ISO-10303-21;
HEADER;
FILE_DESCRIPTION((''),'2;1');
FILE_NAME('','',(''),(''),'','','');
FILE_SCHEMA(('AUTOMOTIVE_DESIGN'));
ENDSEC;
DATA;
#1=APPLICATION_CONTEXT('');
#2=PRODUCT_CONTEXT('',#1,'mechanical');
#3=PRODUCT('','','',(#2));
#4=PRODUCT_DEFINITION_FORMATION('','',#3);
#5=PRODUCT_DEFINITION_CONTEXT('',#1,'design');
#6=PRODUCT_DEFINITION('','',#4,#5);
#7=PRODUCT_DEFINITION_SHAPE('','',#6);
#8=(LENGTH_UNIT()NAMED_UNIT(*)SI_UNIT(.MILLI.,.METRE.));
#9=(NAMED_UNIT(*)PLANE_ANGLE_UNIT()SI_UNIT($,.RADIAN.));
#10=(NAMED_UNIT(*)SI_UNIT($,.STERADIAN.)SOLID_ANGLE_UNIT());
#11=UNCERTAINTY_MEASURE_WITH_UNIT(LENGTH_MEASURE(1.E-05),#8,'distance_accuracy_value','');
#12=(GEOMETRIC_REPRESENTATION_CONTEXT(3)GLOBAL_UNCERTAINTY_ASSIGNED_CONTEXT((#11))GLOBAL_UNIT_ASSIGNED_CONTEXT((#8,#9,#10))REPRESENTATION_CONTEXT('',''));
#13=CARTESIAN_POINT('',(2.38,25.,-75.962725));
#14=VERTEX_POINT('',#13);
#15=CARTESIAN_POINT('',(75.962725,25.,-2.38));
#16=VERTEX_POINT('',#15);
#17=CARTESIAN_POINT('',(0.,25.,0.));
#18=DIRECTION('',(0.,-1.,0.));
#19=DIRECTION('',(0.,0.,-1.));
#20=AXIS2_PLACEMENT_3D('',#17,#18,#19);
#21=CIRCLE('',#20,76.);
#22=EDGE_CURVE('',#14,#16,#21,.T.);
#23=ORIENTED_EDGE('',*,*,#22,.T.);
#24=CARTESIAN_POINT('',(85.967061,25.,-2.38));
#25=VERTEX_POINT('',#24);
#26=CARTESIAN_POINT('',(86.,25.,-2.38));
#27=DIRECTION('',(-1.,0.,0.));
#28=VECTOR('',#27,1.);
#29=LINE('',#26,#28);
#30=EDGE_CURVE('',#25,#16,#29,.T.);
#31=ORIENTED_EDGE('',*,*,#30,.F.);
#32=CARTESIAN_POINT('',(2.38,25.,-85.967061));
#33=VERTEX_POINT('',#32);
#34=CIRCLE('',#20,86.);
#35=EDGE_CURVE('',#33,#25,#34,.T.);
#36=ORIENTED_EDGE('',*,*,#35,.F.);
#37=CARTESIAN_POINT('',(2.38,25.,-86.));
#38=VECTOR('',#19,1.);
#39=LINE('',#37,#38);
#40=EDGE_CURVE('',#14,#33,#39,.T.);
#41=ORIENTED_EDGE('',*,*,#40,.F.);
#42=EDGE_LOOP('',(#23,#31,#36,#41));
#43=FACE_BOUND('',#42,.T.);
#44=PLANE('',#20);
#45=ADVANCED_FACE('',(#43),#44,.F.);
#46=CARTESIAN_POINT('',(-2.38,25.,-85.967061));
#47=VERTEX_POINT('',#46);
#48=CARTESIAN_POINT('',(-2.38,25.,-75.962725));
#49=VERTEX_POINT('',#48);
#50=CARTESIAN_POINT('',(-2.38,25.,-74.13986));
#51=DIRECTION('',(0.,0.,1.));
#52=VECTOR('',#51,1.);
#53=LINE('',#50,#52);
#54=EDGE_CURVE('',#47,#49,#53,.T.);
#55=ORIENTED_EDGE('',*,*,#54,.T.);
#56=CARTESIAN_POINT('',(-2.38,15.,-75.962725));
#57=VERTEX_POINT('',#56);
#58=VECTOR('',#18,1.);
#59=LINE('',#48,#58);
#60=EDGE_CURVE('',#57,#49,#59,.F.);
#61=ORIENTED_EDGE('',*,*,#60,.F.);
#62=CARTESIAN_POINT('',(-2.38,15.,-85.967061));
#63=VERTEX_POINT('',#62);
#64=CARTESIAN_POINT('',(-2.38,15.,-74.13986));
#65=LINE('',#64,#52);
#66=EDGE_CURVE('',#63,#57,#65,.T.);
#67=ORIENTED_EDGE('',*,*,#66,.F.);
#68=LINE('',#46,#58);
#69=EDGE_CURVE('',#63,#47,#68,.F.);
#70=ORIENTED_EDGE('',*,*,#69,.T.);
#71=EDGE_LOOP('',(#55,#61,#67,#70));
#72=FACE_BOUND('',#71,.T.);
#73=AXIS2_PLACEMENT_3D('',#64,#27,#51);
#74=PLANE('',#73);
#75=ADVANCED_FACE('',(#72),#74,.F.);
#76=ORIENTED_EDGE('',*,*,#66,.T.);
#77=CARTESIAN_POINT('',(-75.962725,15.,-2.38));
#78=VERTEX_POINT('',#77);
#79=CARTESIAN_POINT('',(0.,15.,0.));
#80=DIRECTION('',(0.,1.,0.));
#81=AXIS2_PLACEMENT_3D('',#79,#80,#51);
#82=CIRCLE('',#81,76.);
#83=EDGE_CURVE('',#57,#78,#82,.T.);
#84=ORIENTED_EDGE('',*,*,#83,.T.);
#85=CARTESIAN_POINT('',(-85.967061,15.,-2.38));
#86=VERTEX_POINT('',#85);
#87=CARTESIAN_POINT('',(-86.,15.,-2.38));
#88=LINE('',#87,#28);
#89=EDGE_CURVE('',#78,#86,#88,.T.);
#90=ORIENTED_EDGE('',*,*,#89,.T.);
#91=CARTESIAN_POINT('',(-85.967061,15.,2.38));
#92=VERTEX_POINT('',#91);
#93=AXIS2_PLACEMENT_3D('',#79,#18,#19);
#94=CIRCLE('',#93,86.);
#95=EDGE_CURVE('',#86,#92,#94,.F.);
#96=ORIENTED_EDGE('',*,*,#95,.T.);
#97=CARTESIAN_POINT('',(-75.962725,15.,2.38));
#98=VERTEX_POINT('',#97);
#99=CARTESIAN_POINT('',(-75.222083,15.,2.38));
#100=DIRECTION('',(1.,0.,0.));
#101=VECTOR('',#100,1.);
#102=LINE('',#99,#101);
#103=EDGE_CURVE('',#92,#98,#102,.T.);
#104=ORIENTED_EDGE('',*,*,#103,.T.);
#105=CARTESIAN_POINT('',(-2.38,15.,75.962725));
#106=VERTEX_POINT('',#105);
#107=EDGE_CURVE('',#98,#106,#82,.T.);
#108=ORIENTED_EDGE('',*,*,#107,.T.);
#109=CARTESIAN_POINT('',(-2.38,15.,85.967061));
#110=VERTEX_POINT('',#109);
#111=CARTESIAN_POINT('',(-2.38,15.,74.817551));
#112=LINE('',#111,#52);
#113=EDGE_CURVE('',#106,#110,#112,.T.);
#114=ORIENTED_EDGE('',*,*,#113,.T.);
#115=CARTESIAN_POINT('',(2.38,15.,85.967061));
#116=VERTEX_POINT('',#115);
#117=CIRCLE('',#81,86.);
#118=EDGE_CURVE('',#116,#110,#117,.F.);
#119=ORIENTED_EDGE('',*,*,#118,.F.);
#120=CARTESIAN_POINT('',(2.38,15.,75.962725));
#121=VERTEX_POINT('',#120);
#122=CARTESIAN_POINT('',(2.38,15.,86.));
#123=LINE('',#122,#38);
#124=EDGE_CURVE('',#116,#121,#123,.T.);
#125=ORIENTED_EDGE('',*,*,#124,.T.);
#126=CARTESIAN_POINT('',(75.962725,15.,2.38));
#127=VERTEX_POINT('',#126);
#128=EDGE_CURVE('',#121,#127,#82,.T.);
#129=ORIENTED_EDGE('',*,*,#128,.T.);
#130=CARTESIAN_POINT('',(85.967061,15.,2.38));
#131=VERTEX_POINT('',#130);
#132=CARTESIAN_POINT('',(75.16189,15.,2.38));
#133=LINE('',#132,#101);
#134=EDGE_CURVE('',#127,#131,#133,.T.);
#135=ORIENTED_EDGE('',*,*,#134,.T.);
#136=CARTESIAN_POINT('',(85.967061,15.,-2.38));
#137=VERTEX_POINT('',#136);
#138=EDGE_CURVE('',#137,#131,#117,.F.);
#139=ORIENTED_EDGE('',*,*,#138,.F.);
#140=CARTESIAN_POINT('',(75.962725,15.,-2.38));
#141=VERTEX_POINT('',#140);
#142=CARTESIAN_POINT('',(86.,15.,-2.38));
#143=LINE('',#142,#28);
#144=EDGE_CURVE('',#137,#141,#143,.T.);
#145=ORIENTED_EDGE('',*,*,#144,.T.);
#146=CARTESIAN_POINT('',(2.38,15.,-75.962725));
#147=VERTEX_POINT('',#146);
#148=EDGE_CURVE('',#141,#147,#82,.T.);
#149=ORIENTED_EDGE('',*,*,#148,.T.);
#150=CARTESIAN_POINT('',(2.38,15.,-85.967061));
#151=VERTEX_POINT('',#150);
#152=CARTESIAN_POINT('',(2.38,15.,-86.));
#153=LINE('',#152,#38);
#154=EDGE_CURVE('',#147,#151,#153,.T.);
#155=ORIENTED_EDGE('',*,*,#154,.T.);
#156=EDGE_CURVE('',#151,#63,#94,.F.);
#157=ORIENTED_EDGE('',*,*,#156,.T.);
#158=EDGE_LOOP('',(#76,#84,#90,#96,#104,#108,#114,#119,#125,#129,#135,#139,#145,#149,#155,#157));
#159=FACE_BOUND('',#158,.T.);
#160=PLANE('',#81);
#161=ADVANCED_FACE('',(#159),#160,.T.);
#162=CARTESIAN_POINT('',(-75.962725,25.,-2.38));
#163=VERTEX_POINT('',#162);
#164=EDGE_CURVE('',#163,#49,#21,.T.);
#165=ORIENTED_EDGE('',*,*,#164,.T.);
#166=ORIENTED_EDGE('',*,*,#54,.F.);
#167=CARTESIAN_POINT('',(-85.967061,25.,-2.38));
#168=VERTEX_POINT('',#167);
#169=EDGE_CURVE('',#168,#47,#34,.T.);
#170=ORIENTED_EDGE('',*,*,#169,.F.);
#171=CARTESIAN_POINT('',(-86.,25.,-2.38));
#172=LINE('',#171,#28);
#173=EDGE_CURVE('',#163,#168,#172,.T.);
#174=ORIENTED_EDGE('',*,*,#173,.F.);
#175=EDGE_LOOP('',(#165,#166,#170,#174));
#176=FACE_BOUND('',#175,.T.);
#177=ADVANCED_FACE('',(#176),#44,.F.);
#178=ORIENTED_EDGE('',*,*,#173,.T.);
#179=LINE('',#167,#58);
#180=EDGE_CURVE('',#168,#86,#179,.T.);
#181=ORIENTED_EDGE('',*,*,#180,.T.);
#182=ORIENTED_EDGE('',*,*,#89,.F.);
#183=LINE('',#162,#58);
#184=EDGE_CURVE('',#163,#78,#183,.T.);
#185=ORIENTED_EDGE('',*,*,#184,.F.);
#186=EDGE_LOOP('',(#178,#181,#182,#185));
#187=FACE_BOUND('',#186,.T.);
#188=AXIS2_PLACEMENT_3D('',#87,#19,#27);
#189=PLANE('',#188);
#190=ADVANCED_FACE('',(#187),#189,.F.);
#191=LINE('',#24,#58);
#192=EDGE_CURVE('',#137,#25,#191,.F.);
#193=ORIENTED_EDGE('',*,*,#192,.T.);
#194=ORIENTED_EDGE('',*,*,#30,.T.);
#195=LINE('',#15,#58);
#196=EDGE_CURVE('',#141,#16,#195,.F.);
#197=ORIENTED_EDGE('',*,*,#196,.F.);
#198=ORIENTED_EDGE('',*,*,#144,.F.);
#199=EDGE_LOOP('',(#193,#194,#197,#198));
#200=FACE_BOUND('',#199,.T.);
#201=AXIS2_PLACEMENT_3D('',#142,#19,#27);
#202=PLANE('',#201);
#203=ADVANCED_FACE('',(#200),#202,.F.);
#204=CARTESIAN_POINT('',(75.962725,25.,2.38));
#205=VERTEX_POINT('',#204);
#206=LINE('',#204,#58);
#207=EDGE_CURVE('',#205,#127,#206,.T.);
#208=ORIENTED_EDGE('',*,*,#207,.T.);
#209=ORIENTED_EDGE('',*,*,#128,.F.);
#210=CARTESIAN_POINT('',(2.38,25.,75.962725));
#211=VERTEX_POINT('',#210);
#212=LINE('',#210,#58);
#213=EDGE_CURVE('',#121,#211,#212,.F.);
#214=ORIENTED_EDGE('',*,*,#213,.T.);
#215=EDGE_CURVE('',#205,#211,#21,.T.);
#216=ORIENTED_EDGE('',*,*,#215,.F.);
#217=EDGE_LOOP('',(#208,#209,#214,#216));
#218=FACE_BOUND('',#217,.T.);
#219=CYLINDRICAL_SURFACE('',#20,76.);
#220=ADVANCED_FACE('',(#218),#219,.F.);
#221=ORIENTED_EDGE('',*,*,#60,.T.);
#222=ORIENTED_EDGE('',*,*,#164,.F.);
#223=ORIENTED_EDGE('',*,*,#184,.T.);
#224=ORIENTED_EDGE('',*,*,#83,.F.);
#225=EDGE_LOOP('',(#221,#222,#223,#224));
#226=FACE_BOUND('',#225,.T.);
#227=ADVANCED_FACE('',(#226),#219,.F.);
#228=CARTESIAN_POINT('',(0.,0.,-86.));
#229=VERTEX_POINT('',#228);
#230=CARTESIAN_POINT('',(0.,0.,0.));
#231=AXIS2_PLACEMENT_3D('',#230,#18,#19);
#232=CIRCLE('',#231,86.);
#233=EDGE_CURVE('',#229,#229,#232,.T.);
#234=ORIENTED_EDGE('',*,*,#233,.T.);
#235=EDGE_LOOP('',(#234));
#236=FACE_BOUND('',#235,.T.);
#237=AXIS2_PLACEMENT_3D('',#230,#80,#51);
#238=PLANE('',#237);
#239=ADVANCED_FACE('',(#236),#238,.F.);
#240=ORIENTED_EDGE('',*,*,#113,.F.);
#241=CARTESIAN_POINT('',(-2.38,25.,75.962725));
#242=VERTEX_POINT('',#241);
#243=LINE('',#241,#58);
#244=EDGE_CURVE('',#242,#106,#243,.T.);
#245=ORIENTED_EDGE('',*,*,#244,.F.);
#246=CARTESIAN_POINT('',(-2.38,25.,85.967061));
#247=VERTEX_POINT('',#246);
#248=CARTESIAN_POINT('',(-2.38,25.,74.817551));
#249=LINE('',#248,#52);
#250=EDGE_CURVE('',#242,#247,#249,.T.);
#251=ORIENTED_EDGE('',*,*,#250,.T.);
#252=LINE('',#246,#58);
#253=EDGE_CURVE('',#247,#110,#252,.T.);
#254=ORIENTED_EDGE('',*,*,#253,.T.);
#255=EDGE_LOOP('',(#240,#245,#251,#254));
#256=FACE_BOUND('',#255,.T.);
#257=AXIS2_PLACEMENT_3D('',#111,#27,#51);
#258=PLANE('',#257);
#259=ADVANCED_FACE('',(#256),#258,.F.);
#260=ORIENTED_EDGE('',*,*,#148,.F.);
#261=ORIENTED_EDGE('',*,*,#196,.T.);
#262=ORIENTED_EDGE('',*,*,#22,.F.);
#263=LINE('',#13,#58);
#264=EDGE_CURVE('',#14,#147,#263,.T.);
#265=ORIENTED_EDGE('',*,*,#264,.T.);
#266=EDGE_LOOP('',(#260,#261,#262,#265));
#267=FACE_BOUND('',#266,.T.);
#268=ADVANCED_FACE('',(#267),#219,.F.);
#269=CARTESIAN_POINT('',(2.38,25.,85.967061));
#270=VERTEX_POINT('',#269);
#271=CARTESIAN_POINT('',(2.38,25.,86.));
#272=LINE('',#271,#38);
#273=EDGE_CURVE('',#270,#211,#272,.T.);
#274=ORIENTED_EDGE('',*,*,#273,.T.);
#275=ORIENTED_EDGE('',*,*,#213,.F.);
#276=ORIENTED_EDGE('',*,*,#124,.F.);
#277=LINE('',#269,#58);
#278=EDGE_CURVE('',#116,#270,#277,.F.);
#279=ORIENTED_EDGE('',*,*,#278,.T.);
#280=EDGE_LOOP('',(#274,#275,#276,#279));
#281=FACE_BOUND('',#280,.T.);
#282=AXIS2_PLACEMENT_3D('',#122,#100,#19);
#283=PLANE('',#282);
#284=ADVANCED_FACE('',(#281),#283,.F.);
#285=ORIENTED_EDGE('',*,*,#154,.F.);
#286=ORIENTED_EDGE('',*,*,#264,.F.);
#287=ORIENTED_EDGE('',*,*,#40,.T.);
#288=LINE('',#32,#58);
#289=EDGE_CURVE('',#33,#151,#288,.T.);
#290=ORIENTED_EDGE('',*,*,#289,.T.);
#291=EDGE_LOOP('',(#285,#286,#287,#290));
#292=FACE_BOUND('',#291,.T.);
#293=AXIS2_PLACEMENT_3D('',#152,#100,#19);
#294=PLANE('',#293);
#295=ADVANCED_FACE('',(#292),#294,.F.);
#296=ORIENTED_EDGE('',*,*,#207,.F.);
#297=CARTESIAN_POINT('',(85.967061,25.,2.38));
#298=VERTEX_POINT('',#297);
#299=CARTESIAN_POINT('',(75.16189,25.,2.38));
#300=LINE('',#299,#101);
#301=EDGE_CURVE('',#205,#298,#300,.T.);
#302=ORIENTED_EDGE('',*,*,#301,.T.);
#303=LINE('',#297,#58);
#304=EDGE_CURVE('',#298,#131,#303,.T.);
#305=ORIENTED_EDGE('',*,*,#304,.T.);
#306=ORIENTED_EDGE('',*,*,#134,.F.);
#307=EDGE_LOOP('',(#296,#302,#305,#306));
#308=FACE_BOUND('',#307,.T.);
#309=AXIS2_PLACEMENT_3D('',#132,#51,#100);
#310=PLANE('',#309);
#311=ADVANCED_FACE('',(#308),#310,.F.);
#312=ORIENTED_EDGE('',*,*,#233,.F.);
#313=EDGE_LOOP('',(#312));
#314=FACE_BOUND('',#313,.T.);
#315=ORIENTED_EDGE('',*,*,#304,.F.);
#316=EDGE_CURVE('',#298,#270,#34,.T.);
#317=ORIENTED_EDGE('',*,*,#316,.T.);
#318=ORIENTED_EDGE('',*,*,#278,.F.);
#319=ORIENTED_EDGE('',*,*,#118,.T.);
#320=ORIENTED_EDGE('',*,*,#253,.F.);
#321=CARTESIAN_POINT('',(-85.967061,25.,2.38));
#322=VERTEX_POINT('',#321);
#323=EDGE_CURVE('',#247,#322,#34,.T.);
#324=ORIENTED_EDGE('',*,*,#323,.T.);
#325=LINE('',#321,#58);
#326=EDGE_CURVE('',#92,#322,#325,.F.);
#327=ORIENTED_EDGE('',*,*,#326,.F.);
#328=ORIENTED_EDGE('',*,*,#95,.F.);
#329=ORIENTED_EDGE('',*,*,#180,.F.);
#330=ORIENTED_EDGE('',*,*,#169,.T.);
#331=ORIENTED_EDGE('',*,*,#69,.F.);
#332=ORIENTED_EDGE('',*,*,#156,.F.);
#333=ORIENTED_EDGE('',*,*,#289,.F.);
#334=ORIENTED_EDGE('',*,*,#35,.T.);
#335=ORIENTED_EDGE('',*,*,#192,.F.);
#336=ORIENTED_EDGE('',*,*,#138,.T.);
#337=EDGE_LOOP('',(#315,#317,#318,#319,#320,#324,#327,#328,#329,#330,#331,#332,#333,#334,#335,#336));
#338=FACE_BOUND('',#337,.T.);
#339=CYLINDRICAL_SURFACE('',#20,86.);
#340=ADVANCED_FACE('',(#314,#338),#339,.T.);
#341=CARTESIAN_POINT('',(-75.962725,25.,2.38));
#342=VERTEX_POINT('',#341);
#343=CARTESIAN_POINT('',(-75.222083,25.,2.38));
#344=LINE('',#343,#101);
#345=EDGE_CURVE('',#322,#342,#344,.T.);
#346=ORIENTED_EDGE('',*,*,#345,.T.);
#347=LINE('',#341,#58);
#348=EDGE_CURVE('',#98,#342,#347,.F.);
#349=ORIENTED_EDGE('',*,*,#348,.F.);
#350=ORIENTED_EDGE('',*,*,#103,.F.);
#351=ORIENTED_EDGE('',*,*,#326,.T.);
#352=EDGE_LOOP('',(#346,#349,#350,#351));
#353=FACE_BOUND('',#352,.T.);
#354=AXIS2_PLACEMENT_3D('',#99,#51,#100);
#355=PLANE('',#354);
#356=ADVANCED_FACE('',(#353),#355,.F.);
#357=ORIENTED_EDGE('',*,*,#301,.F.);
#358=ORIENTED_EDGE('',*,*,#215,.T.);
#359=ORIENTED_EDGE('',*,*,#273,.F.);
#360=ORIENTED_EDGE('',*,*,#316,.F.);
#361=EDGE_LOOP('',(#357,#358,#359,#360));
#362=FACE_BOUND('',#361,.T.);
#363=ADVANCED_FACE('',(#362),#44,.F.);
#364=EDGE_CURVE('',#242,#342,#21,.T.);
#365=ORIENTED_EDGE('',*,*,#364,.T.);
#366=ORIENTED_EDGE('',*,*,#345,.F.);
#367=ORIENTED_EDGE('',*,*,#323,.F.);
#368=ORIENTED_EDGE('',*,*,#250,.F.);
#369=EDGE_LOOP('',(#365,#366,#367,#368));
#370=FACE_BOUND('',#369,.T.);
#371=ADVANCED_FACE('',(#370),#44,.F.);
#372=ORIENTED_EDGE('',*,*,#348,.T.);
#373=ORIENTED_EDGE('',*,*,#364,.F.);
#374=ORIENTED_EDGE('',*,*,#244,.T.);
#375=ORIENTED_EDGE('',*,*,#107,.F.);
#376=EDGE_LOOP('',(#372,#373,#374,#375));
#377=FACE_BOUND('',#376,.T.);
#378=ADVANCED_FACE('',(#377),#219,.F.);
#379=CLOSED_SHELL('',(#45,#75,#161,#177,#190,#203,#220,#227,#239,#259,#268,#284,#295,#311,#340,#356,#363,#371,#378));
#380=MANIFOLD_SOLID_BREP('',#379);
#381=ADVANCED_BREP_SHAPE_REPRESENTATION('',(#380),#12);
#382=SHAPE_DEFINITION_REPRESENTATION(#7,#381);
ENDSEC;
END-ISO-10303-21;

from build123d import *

# Parameters (mm, degrees)
SKETCH2_R           = 76
BOSS_EXTRUDE1_DEPTH = 15
SKETCH4_R           = 86
SKETCH4_R_2         = 76
BOSS_EXTRUDE2_DEPTH = 25
CUT_EXTRUDE1_DEPTH  = 10


with BuildPart() as part:
    # Sketch2 → Boss-Extrude1 (new body)
    with BuildSketch(Plane(origin=(0, 0, 0), x_dir=(1, 0, 0), z_dir=(0, 1, 0))):
        with Locations(Location((0, 0, 0), (0, 0, 270))):
            Circle(SKETCH2_R)
    extrude(amount=BOSS_EXTRUDE1_DEPTH)

    # Sketch4 → Boss-Extrude2 (add)
    with BuildSketch(Plane(origin=(0, 0, 0), x_dir=(-1, 0, 0), z_dir=(0, -1, 0))):
        with Locations(Location((0, 0, 0), (0, 0, 90))):
            Circle(SKETCH4_R)
        with Locations(Location((0, 0, 0), (0, 0, 90))):
            Circle(SKETCH4_R_2, mode=Mode.SUBTRACT)
    extrude(amount=-BOSS_EXTRUDE2_DEPTH)

    # Sketch5 → Cut-Extrude1 (cut)
    with BuildSketch(Plane(origin=(0, 25, 0), x_dir=(1, 0, 0), z_dir=(0, 1, 0))):
        Polygon((86, 0), (86, 2.38), (75.161889678, 2.38), (75.161889678, -2.38), (86.243553227, -2.38), align=None)
        Polygon((-86, 0), (-86, 2.38), (-75.22208349, 2.38), (-75.22208349, -2.38), (-86.457059311, -2.38), align=None)
        Polygon((0, 86), (2.38, 86), (2.38, 74.13986027), (-2.38, 74.13986027), (-2.38, 86.447056085), align=None)
        Polygon((0, -86), (2.38, -86), (2.38, -74.817551039), (-2.38, -74.817551039), (-2.38, -87.761718776), align=None)
    extrude(amount=-CUT_EXTRUDE1_DEPTH, mode=Mode.SUBTRACT)


solid = part.part
